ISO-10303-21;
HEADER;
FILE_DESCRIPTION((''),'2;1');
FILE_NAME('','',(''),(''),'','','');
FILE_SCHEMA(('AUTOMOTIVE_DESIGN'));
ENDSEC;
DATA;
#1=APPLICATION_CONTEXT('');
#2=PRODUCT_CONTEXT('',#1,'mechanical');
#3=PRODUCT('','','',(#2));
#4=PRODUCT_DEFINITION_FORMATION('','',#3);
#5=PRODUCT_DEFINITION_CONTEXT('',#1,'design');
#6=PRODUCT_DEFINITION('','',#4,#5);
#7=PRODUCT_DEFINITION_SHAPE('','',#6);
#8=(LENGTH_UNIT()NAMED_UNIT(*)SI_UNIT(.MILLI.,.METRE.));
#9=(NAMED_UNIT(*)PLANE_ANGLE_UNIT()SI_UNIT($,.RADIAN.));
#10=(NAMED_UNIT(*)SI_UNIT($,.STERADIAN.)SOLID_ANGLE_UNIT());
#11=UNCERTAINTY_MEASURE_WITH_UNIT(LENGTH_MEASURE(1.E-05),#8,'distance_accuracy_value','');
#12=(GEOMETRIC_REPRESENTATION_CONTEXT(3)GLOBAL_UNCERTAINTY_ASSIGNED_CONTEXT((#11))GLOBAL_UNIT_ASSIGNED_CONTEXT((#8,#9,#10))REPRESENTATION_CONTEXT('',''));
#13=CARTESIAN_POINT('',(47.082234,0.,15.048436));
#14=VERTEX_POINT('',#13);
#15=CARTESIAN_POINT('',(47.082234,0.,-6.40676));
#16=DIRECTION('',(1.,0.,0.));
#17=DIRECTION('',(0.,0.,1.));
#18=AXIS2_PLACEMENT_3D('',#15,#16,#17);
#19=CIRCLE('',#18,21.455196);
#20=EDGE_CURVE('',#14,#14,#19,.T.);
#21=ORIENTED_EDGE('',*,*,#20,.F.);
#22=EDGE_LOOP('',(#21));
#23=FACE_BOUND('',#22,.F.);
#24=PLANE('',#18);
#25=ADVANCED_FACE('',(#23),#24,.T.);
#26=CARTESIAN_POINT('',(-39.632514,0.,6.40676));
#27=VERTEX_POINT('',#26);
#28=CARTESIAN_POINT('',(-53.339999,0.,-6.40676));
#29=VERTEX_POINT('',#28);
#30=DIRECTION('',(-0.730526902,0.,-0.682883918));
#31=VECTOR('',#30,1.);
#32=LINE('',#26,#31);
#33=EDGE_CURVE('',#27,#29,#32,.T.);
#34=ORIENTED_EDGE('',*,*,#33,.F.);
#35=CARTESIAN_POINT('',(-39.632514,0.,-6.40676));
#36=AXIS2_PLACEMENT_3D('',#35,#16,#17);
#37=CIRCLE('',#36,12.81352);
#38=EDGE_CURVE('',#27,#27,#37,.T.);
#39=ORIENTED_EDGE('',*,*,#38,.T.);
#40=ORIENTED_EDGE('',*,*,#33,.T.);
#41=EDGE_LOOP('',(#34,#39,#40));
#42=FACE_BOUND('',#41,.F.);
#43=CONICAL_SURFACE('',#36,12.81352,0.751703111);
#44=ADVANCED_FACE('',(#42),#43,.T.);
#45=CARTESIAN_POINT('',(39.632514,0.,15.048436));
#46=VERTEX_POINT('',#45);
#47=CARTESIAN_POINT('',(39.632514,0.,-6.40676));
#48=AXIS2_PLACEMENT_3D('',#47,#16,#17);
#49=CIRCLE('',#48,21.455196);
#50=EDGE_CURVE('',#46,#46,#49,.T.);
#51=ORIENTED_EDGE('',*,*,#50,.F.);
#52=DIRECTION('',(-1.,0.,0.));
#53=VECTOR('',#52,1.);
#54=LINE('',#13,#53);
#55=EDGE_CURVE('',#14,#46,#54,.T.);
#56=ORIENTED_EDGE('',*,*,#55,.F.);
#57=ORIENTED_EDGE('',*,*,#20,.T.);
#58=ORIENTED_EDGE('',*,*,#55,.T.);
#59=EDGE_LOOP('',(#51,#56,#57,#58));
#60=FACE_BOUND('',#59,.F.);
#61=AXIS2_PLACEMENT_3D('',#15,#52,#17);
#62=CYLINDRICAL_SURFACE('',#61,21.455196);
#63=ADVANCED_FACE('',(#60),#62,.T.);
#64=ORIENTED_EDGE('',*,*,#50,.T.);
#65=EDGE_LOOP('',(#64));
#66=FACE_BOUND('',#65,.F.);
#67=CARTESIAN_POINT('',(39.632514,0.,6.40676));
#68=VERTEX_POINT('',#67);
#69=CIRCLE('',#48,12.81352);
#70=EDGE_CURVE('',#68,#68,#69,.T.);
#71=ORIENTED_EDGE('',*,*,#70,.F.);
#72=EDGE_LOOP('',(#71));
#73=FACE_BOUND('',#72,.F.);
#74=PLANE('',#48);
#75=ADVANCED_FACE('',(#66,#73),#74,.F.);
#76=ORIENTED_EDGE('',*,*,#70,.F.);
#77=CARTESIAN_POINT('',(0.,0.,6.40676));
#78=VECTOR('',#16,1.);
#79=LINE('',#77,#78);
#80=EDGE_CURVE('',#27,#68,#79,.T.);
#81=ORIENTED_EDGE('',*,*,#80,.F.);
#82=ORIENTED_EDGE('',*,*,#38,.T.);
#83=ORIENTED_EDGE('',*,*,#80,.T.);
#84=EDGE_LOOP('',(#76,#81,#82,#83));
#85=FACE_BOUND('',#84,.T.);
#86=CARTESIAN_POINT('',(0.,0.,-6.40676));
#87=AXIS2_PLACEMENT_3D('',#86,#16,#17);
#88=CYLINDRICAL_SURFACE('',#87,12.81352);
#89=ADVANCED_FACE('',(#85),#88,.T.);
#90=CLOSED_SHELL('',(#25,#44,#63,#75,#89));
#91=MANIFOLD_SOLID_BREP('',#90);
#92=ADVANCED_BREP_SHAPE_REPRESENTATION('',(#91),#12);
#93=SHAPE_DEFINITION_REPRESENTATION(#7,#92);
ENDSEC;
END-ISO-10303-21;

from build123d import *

# Parameters (mm, degrees)
F0_W = 79.265028
F0_H = 12.81352


with BuildPart() as f1:
    # F0 (on Front) → F1 (revolve)
    with BuildSketch(Plane.XZ):
        Rectangle(F0_W, F0_H)
        Polygon((-39.632514, -6.40676), (-39.632514, 6.40676), (-53.339999, -6.40676), align=None)
        Polygon((39.632514, 15.048436), (39.632514, 6.40676), (39.632514, -6.40676), (47.082234, -6.40676), (47.082234, 15.048436), align=None)
    revolve(axis=Axis((0, 0, -6.40676), (1, 0, 0)))


solid = f1.part
